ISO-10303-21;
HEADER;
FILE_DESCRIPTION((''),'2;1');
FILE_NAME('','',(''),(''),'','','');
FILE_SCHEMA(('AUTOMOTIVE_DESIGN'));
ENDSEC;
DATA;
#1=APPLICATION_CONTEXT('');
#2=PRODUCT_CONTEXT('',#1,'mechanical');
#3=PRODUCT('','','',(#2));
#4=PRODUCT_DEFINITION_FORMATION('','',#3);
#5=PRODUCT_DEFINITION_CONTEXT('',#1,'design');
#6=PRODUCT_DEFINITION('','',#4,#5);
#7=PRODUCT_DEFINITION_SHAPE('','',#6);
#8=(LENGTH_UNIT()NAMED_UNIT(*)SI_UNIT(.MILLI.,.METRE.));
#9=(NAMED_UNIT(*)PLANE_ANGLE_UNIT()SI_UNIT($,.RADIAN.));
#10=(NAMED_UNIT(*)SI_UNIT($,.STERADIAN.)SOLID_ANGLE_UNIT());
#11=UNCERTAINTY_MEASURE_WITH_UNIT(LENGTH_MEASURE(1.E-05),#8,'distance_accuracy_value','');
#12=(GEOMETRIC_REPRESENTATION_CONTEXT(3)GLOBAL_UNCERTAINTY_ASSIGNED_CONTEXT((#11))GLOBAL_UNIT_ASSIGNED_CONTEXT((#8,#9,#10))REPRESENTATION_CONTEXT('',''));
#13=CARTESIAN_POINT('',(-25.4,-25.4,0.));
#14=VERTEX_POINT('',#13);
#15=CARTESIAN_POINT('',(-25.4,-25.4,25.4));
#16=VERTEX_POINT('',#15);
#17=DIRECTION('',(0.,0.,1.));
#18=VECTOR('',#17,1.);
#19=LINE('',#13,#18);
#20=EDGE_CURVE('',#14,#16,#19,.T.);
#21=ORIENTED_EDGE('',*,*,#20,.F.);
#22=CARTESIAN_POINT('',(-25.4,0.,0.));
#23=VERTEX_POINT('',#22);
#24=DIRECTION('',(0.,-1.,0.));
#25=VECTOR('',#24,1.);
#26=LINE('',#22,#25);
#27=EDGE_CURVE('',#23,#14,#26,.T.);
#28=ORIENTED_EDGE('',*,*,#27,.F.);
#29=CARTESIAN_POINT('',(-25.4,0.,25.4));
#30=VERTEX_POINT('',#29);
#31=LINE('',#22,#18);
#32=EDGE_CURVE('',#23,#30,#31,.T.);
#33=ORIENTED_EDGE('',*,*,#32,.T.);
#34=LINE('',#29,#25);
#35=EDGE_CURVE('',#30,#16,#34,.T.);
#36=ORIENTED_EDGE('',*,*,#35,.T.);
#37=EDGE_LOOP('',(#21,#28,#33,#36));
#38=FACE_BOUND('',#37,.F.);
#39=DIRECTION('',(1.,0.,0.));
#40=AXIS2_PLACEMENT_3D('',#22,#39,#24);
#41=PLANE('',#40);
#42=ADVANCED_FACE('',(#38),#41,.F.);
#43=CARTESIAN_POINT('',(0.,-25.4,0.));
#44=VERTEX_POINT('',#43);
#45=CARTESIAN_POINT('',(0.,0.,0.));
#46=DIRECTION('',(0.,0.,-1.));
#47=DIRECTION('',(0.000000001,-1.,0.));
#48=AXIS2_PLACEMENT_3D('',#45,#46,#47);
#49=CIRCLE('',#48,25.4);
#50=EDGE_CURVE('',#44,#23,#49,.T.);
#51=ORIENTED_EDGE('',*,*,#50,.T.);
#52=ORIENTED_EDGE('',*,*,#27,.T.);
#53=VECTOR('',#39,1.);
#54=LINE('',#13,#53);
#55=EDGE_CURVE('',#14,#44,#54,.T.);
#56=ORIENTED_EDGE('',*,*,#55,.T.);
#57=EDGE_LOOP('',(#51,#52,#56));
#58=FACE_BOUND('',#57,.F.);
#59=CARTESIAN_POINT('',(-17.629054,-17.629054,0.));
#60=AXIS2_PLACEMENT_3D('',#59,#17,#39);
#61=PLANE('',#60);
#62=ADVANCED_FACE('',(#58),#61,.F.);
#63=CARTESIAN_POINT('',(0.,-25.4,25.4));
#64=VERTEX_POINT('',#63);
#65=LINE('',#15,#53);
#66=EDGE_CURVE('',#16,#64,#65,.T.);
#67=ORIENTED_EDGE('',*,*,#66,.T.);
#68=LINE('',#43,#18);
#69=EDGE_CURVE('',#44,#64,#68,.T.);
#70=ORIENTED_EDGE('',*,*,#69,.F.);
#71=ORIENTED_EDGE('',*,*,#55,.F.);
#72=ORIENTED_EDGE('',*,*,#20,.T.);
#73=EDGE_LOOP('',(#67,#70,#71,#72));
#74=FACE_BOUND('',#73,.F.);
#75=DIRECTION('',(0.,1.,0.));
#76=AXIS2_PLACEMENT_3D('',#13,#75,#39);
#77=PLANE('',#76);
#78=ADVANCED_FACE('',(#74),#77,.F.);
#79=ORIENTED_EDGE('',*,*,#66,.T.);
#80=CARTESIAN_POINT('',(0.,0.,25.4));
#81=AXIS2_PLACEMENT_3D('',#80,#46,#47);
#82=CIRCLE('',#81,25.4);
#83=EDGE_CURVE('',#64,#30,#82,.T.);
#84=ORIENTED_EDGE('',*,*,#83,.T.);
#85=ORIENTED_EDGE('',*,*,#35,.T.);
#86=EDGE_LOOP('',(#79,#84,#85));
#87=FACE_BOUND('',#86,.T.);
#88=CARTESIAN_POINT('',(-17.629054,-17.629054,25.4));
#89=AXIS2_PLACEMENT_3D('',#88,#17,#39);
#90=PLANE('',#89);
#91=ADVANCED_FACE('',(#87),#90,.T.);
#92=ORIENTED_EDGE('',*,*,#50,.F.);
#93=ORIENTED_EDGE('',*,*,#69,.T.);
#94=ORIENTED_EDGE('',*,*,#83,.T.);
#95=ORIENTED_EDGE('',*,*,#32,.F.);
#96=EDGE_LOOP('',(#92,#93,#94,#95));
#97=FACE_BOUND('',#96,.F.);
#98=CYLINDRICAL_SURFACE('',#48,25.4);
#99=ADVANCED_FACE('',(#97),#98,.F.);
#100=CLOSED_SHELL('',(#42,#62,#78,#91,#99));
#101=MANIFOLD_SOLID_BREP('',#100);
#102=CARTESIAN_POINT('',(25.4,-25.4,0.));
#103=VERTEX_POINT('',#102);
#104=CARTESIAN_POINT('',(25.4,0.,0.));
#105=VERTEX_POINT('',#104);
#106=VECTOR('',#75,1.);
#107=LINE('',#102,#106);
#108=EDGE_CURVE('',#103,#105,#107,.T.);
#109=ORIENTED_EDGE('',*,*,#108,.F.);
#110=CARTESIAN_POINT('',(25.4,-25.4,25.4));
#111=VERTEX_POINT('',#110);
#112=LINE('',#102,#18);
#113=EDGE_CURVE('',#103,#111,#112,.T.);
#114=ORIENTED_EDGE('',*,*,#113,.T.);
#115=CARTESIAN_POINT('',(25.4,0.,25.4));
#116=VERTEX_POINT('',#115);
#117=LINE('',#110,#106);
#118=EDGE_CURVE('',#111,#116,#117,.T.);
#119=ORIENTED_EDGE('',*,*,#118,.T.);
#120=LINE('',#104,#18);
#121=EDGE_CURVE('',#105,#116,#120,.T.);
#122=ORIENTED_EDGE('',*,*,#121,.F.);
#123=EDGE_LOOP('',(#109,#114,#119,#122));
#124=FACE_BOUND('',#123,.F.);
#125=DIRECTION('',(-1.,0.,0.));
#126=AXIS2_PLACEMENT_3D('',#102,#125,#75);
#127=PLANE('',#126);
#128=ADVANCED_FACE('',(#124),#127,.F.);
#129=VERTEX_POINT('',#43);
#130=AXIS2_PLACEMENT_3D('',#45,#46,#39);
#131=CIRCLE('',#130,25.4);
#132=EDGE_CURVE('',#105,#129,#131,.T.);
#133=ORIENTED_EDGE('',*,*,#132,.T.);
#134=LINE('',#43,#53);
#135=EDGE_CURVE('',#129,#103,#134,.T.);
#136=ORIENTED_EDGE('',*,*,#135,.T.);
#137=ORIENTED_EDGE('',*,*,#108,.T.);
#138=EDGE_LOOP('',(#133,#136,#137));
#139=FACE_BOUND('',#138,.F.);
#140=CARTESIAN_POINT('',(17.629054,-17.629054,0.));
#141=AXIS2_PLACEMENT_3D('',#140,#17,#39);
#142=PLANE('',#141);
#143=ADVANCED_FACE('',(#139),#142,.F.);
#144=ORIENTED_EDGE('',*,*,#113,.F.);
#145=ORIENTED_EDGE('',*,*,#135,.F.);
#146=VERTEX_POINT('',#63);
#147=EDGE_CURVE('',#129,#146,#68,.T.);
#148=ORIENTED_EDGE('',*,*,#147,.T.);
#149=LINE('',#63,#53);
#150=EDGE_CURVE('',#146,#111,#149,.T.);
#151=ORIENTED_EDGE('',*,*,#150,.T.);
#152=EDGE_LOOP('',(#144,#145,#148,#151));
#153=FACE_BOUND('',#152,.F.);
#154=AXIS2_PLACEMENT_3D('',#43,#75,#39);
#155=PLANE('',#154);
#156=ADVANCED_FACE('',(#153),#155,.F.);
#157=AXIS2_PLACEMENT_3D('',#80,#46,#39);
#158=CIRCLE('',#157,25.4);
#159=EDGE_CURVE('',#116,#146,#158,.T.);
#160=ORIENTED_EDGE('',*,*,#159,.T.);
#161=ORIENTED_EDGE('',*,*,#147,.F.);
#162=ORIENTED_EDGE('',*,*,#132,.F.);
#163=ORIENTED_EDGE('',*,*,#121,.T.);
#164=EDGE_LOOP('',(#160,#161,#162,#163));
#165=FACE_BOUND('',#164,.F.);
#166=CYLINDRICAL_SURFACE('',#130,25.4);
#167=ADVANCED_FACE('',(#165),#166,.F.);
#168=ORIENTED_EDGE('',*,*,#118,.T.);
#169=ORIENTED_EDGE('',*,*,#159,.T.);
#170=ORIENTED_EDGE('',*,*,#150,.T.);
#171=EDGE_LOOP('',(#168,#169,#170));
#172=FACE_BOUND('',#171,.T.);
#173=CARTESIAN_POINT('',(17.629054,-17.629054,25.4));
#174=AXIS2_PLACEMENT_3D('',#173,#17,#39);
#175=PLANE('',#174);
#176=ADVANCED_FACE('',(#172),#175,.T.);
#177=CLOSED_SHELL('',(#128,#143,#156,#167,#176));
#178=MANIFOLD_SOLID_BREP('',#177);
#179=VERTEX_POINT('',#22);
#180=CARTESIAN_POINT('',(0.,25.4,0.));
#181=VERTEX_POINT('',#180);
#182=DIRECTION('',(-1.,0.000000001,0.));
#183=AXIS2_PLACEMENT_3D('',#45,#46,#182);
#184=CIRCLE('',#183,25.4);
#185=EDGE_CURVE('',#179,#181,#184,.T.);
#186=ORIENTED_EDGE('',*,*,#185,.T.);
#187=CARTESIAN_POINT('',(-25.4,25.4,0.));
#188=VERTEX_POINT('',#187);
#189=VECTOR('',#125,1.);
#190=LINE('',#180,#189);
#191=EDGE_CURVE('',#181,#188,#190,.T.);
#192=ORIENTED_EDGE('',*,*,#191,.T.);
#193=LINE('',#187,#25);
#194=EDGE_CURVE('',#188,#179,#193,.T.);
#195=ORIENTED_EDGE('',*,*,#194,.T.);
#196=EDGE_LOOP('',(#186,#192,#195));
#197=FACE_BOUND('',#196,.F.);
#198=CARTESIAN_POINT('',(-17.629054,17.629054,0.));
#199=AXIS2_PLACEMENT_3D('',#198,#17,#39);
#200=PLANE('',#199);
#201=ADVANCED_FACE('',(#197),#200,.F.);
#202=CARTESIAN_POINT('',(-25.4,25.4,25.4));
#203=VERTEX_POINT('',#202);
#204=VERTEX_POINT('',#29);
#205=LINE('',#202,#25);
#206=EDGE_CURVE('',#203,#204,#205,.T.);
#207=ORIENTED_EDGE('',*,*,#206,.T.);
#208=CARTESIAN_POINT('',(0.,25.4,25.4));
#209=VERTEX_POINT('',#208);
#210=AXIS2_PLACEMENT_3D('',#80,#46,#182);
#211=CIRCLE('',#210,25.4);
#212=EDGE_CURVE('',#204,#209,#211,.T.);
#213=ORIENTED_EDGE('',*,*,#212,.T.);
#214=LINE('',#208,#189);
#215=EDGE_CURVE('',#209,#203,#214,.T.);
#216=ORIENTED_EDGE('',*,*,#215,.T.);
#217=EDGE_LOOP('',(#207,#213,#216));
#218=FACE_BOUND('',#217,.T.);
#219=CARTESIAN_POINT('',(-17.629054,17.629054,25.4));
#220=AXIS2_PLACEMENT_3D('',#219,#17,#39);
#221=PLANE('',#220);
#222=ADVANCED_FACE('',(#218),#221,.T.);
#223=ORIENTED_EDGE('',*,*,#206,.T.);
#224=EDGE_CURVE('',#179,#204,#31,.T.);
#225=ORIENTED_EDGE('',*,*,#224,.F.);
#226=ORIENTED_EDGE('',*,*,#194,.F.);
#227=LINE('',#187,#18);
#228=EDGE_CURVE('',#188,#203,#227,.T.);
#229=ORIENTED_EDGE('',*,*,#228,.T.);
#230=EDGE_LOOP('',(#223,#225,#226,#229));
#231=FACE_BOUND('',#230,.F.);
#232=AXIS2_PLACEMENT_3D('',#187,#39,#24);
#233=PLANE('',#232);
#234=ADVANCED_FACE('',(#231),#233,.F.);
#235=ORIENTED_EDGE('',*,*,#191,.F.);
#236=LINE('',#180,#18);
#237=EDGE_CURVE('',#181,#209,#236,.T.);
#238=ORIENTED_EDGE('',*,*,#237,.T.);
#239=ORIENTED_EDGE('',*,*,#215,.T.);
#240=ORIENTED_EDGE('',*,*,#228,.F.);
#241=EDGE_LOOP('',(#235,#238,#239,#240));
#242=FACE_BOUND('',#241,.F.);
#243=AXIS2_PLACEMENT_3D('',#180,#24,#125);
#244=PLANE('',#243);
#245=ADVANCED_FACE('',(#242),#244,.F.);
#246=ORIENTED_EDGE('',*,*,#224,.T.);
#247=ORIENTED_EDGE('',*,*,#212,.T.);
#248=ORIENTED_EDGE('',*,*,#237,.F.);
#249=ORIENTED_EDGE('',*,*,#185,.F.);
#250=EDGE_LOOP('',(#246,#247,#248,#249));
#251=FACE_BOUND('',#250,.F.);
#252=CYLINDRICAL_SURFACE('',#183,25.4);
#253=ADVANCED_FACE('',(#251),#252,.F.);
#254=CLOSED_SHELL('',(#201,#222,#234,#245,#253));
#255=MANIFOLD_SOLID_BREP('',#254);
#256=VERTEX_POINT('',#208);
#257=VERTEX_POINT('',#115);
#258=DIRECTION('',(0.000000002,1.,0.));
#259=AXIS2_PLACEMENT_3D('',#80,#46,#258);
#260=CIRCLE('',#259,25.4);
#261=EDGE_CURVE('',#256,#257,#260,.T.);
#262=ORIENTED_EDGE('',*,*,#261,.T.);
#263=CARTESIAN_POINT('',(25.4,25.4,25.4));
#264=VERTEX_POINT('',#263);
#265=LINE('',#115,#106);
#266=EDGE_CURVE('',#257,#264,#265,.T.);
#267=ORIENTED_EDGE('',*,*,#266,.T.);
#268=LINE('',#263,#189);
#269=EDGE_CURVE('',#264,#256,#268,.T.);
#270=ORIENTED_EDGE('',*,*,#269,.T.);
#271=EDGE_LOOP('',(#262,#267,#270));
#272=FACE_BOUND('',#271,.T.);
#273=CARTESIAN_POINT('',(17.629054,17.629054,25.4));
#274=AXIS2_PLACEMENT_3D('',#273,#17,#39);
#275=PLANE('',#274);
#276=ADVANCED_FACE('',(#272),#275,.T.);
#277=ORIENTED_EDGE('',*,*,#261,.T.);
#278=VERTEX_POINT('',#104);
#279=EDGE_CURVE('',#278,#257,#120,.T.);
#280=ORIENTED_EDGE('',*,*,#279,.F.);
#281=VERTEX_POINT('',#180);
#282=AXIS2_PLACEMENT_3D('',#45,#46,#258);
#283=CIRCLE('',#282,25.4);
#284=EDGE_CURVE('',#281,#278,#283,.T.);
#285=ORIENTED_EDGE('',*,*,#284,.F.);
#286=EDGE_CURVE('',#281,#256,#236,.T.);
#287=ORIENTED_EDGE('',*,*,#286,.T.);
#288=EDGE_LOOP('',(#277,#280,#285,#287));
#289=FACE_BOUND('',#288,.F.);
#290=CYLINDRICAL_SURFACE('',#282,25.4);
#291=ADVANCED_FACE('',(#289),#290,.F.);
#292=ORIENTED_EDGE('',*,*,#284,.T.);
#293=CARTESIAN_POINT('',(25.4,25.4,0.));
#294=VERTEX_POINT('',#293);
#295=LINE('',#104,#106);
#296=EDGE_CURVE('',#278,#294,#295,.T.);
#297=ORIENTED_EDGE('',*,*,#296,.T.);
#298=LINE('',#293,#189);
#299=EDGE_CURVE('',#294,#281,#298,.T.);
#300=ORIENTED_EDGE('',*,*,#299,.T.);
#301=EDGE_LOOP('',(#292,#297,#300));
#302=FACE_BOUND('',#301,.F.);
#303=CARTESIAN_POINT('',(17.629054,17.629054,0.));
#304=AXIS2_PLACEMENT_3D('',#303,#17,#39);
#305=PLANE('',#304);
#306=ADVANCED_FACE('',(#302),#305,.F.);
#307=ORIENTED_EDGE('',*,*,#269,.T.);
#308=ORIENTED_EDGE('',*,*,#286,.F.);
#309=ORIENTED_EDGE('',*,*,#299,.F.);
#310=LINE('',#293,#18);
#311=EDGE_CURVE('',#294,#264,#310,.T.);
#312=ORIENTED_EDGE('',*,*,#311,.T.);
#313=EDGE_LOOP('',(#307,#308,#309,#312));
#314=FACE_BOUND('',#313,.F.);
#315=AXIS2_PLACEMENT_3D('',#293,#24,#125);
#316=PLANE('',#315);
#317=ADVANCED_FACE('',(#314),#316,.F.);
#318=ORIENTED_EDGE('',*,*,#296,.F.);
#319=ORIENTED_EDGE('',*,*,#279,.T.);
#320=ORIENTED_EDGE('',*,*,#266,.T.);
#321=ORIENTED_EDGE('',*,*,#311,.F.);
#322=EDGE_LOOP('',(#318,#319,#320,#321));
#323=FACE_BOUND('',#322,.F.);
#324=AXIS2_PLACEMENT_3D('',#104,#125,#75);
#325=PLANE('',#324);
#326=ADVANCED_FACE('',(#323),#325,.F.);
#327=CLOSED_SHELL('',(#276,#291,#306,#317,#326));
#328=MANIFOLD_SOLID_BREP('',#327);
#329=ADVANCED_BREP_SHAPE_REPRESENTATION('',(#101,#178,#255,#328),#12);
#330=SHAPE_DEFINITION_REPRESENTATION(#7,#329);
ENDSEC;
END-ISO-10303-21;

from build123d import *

# Parameters (mm, degrees)
F1_DEPTH = 25.4


with BuildPart() as f1:
    # F0 (on Top) → F1 (new body)
    with BuildSketch(Plane.XY):
        with BuildLine():
            ThreePointArc((4.89e-08, 25.4), (17.9605122594, 17.9605122249), (25.4, 0))
            Line((25.4, 0), (25.4, 25.4))
            Line((25.4, 25.4), (4.89e-08, 25.4))
        make_face()
    extrude(amount=F1_DEPTH)


with BuildPart() as f1b:
    # F0 (on Top) → F1, piece 2 (new body)
    with BuildSketch(Plane.XY):
        with BuildLine():
            ThreePointArc((-25.4, 3.44e-08), (-17.9605122127, 17.9605122716), (4.89e-08, 25.4))
            Line((4.89e-08, 25.4), (-25.4, 25.4))
            Line((-25.4, 25.4), (-25.4, 3.44e-08))
        make_face()
    extrude(amount=F1_DEPTH)


with BuildPart() as f1c:
    # F0 (on Top) → F1, piece 3 (new body)
    with BuildSketch(Plane.XY):
        with BuildLine():
            Line((-25.4, -25.4), (3.01e-08, -25.4))
            ThreePointArc((3.01e-08, -25.4), (-17.9605122437, -17.9605122406), (-25.4, 3.44e-08))
            Line((-25.4, 3.44e-08), (-25.4, -25.4))
        make_face()
    extrude(amount=F1_DEPTH)


with BuildPart() as f1d:
    # F0 (on Top) → F1, piece 4 (new body)
    with BuildSketch(Plane.XY):
        with BuildLine():
            Line((25.4, -25.4), (25.4, 0))
            ThreePointArc((25.4, 0), (17.9605122528, -17.9605122315), (3.01e-08, -25.4))
            Line((3.01e-08, -25.4), (25.4, -25.4))
        make_face()
    extrude(amount=F1_DEPTH)


solid = Compound([f1.part, f1b.part, f1c.part, f1d.part])
